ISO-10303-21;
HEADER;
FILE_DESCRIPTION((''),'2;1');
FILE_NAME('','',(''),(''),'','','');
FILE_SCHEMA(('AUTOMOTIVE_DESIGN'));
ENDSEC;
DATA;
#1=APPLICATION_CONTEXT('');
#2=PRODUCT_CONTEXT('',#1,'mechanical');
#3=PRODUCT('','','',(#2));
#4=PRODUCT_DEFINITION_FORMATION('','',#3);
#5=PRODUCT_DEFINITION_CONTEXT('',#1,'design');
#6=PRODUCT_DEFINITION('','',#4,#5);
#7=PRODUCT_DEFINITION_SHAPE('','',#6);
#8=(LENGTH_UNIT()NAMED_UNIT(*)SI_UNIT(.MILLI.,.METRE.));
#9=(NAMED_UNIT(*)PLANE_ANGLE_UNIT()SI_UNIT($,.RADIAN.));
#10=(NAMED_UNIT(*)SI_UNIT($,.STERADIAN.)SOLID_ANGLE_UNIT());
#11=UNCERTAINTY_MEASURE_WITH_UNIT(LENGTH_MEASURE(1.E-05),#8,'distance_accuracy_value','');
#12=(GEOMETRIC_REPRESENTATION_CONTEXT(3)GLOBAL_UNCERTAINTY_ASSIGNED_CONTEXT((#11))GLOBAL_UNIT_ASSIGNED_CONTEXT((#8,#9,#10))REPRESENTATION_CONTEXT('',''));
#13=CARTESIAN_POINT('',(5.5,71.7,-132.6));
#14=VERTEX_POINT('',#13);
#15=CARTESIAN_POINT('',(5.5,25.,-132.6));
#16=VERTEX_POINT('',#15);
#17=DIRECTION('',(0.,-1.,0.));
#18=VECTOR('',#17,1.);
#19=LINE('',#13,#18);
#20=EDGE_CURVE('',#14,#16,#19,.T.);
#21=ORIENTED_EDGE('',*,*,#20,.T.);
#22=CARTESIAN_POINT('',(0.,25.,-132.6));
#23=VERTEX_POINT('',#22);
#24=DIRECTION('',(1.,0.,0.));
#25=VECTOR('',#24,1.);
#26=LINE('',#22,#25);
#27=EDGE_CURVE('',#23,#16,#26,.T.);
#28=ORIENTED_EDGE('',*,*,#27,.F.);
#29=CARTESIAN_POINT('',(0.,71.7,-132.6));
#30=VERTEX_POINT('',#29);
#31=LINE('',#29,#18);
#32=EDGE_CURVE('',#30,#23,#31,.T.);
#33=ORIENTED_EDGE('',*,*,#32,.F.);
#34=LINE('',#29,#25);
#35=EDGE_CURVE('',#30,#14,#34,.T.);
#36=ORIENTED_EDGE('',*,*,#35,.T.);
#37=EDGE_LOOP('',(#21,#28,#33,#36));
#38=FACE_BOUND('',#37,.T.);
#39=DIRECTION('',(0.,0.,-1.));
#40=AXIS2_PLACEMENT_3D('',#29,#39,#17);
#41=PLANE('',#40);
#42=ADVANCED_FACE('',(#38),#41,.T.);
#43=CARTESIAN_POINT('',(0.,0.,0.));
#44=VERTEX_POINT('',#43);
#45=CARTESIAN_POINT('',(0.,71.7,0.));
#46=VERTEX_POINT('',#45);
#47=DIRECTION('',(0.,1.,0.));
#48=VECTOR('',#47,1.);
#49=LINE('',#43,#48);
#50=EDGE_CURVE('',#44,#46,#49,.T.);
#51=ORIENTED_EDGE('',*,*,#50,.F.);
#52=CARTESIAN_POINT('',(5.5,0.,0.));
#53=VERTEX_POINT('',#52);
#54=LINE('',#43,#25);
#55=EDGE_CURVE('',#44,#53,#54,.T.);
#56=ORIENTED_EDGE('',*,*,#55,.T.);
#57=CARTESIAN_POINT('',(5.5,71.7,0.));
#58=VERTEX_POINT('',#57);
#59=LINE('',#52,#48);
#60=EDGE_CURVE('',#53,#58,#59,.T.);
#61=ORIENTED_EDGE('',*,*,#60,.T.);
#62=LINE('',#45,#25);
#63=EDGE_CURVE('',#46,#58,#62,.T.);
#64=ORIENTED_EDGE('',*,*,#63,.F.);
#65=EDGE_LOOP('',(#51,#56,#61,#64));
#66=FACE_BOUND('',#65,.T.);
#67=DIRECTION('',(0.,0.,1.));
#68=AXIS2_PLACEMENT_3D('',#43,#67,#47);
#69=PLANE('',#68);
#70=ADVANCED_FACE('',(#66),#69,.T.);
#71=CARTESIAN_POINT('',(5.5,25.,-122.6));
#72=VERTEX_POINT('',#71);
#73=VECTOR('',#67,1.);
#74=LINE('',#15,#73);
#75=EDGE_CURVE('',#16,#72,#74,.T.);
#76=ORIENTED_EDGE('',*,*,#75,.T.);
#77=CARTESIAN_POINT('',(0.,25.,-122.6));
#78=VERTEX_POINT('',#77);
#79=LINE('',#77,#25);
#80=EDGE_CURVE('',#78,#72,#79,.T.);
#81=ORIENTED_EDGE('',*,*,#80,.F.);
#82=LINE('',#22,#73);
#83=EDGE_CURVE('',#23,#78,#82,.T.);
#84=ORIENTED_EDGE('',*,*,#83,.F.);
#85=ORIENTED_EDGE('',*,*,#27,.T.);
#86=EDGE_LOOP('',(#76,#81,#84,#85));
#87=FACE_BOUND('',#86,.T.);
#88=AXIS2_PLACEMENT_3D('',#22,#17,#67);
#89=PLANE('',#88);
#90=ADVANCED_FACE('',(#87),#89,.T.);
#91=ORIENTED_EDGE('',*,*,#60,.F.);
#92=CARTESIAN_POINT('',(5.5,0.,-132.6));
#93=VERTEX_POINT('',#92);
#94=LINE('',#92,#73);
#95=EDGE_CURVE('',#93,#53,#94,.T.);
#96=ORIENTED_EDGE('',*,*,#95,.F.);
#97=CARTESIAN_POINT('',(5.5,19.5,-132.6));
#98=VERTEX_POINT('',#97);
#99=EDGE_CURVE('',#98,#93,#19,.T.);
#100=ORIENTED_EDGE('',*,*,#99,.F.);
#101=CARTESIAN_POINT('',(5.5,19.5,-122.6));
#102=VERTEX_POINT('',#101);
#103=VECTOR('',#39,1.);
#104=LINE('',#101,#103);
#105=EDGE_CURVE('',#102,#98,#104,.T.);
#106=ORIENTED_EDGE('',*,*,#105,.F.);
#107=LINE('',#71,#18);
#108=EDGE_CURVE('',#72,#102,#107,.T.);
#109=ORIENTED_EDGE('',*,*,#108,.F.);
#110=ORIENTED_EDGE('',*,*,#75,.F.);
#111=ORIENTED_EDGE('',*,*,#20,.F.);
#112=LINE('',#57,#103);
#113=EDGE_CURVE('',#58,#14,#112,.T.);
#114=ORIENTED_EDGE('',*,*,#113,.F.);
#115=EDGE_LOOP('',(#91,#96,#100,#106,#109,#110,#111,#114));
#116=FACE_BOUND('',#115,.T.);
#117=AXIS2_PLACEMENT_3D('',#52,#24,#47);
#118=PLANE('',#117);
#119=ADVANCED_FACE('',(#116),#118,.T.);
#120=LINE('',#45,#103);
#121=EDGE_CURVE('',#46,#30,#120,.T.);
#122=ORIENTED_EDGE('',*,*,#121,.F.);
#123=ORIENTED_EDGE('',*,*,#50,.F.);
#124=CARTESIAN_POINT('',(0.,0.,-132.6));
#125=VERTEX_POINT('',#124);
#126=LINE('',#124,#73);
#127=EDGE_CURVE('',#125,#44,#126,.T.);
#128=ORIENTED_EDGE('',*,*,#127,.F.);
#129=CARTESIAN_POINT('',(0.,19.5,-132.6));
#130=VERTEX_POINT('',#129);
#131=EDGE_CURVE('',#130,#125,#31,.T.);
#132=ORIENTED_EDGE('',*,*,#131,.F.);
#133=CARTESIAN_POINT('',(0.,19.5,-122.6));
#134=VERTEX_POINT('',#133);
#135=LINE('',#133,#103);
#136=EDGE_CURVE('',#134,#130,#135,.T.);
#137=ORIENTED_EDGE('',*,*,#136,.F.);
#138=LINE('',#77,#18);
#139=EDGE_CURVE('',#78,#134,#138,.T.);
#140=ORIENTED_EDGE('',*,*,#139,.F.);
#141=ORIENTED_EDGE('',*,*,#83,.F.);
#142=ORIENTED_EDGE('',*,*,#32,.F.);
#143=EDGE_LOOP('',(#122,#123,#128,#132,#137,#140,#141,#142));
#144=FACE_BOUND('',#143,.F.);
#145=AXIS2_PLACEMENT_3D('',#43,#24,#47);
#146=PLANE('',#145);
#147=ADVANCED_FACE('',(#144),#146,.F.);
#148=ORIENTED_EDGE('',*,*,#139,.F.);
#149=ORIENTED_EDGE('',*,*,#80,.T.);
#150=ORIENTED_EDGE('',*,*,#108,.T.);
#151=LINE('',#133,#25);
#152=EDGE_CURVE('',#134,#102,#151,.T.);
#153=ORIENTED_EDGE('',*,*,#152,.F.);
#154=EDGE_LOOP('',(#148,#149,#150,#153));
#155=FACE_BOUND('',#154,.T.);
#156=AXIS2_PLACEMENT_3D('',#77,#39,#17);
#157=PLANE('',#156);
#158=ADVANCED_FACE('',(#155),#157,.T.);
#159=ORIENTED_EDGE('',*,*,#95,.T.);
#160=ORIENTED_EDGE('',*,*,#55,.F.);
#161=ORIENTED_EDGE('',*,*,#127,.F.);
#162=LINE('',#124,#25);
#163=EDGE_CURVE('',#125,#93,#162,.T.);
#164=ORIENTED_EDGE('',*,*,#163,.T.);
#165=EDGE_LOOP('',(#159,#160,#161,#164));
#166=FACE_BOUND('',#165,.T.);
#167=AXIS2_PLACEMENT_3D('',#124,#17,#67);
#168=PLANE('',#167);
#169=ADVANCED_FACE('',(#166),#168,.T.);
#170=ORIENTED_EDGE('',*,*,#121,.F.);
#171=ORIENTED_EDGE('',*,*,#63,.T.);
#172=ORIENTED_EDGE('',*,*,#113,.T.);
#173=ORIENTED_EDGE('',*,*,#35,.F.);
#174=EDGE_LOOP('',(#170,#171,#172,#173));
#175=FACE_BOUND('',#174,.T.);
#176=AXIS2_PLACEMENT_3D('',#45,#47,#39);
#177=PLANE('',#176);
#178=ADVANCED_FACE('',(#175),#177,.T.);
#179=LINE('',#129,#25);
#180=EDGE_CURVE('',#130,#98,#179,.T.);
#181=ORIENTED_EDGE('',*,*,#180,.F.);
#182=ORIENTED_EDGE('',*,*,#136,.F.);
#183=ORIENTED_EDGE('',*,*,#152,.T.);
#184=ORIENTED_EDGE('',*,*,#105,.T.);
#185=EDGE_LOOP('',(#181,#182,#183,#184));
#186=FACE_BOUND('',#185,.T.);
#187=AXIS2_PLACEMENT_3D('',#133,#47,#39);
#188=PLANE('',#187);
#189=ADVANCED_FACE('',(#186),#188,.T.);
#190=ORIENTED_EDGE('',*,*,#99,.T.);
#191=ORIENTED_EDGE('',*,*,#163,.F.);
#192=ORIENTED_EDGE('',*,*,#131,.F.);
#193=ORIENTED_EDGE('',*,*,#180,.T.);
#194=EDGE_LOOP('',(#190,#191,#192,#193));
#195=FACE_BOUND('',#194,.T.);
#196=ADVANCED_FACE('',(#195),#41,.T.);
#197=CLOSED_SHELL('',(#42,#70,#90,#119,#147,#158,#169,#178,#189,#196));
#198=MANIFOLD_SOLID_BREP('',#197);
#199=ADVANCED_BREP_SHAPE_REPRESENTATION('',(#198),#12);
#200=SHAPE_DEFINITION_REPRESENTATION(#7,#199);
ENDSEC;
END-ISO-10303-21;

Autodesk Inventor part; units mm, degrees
ref_plane "YZ Plane" through (0, 0, 0) normal (1, 0, 0) x (0, 1, 0)
ref_plane "XZ Plane" through (0, 0, 0) normal (0, 1, 0) x (-1, 0, 0)
ref_plane "XY Plane" through (0, 0, 0) normal (0, 0, 1) x (1, 0, 0)
sketch "Sketch1" plane through (0, 0, 0) normal (1, 0, 0) x (0, 1, 0)
  line L0 (0, 0) -> (71.7, 0)
  line L1 (71.7, 0) -> (71.7, -132.6)
  line L2 (71.7, -132.6) -> (0, -132.6)
  line L3 (0, -132.6) -> (0, 0)
  dimension "d0" = 71.7
  dimension "d1" = 132.6
extrude "Extrusion1" add sketch "Sketch1" along normal blind 5.5
sketch "Sketch4" plane through (0, 0, 0) normal (-1, 0, 0) x (0, 0, 1)
  line L0 (-132.6, 0) -> (-132.6, 71.7) projected
  line L1 (-132.6, 25) -> (-122.6, 25)
  line L2 (-122.6, 25) -> (-122.6, 19.5)
  line L3 (-122.6, 19.5) -> (-132.6, 19.5)
  line L4 (-132.6, 19.5) -> (-132.6, 25)
  line L5 (0, 0) -> (-132.6, 0) projected
  dimension "d12" = 10
  dimension "d13" = 5.5
  dimension "d14" = 25
extrude "Extrusion4" cut sketch "Sketch4" against normal blind 5.5
sketch "Sketch2" plane through (5.5, 0, 0) normal (1, 0, 0) x (0, 0, -1)
  line L0 (119.2378, 76.9728) -> (81.7311, 76.9728)
  line L1 (81.7311, 76.9728) -> (81.7311, 64.0973)
  line L2 (81.7311, 64.0973) -> (119.2378, 64.0973)
  line L3 (119.2378, 64.0973) -> (119.2378, 76.9728)
  point P0 (0, 0)
sketch "Sketch3" plane through (5.5, 0, 0) normal (1, 0, 0) x (0, 0, -1)
  line L0 (0, 71.7) -> (0, 0) projected
  line L1 (132.6, 0) -> (132.6, 71.7) projected
  line L2 (0, 0) -> (132.6, 0) projected
  line L3 (0, 19.5) -> (10, 19.5)
  line L4 (10, 19.5) -> (10, 25)
  line L5 (10, 25) -> (0, 25)
  line L6 (0, 25) -> (0, 19.5)
  point P0 (0, 50)
  dimension "d7" = 10
  dimension "d8" = 5.5
  dimension "d11" = 25
equation "\"d1\" = sidewallL"
equation "\"d14\" = wireH"
equation "\"d11\" = wireH"
equation "\"thick\" = 0.5"
equation "\"lrlr\" = 19"
equation "\"lrmid\" = 19.9"
equation "\"lrdepth\" = 3.3"
equation "\"mlr\" = 16.6"
equation "\"mmid\" = 24.7"
equation "\"mdepth\" = 4.5"
equation "\"lrltotal\" = 126.6"
equation "\"mltotal\" = 126.6"
equation "\"lrbetween\" = 52.1"
equation "\"mbetween\" = 49.5"
equation "\"toler\" = 1"
equation "\"tight\" = 0.08"
equation "\"stuckw\" = 6"
equation "\"sidewallL\" = 132.6"
equation "\"heaterH\" = 117.3"
equation "\"stickL\" = 3.5"
equation "\"wireH\" = 25"
properties part number "bottom_inner_wall" material "Gold"
